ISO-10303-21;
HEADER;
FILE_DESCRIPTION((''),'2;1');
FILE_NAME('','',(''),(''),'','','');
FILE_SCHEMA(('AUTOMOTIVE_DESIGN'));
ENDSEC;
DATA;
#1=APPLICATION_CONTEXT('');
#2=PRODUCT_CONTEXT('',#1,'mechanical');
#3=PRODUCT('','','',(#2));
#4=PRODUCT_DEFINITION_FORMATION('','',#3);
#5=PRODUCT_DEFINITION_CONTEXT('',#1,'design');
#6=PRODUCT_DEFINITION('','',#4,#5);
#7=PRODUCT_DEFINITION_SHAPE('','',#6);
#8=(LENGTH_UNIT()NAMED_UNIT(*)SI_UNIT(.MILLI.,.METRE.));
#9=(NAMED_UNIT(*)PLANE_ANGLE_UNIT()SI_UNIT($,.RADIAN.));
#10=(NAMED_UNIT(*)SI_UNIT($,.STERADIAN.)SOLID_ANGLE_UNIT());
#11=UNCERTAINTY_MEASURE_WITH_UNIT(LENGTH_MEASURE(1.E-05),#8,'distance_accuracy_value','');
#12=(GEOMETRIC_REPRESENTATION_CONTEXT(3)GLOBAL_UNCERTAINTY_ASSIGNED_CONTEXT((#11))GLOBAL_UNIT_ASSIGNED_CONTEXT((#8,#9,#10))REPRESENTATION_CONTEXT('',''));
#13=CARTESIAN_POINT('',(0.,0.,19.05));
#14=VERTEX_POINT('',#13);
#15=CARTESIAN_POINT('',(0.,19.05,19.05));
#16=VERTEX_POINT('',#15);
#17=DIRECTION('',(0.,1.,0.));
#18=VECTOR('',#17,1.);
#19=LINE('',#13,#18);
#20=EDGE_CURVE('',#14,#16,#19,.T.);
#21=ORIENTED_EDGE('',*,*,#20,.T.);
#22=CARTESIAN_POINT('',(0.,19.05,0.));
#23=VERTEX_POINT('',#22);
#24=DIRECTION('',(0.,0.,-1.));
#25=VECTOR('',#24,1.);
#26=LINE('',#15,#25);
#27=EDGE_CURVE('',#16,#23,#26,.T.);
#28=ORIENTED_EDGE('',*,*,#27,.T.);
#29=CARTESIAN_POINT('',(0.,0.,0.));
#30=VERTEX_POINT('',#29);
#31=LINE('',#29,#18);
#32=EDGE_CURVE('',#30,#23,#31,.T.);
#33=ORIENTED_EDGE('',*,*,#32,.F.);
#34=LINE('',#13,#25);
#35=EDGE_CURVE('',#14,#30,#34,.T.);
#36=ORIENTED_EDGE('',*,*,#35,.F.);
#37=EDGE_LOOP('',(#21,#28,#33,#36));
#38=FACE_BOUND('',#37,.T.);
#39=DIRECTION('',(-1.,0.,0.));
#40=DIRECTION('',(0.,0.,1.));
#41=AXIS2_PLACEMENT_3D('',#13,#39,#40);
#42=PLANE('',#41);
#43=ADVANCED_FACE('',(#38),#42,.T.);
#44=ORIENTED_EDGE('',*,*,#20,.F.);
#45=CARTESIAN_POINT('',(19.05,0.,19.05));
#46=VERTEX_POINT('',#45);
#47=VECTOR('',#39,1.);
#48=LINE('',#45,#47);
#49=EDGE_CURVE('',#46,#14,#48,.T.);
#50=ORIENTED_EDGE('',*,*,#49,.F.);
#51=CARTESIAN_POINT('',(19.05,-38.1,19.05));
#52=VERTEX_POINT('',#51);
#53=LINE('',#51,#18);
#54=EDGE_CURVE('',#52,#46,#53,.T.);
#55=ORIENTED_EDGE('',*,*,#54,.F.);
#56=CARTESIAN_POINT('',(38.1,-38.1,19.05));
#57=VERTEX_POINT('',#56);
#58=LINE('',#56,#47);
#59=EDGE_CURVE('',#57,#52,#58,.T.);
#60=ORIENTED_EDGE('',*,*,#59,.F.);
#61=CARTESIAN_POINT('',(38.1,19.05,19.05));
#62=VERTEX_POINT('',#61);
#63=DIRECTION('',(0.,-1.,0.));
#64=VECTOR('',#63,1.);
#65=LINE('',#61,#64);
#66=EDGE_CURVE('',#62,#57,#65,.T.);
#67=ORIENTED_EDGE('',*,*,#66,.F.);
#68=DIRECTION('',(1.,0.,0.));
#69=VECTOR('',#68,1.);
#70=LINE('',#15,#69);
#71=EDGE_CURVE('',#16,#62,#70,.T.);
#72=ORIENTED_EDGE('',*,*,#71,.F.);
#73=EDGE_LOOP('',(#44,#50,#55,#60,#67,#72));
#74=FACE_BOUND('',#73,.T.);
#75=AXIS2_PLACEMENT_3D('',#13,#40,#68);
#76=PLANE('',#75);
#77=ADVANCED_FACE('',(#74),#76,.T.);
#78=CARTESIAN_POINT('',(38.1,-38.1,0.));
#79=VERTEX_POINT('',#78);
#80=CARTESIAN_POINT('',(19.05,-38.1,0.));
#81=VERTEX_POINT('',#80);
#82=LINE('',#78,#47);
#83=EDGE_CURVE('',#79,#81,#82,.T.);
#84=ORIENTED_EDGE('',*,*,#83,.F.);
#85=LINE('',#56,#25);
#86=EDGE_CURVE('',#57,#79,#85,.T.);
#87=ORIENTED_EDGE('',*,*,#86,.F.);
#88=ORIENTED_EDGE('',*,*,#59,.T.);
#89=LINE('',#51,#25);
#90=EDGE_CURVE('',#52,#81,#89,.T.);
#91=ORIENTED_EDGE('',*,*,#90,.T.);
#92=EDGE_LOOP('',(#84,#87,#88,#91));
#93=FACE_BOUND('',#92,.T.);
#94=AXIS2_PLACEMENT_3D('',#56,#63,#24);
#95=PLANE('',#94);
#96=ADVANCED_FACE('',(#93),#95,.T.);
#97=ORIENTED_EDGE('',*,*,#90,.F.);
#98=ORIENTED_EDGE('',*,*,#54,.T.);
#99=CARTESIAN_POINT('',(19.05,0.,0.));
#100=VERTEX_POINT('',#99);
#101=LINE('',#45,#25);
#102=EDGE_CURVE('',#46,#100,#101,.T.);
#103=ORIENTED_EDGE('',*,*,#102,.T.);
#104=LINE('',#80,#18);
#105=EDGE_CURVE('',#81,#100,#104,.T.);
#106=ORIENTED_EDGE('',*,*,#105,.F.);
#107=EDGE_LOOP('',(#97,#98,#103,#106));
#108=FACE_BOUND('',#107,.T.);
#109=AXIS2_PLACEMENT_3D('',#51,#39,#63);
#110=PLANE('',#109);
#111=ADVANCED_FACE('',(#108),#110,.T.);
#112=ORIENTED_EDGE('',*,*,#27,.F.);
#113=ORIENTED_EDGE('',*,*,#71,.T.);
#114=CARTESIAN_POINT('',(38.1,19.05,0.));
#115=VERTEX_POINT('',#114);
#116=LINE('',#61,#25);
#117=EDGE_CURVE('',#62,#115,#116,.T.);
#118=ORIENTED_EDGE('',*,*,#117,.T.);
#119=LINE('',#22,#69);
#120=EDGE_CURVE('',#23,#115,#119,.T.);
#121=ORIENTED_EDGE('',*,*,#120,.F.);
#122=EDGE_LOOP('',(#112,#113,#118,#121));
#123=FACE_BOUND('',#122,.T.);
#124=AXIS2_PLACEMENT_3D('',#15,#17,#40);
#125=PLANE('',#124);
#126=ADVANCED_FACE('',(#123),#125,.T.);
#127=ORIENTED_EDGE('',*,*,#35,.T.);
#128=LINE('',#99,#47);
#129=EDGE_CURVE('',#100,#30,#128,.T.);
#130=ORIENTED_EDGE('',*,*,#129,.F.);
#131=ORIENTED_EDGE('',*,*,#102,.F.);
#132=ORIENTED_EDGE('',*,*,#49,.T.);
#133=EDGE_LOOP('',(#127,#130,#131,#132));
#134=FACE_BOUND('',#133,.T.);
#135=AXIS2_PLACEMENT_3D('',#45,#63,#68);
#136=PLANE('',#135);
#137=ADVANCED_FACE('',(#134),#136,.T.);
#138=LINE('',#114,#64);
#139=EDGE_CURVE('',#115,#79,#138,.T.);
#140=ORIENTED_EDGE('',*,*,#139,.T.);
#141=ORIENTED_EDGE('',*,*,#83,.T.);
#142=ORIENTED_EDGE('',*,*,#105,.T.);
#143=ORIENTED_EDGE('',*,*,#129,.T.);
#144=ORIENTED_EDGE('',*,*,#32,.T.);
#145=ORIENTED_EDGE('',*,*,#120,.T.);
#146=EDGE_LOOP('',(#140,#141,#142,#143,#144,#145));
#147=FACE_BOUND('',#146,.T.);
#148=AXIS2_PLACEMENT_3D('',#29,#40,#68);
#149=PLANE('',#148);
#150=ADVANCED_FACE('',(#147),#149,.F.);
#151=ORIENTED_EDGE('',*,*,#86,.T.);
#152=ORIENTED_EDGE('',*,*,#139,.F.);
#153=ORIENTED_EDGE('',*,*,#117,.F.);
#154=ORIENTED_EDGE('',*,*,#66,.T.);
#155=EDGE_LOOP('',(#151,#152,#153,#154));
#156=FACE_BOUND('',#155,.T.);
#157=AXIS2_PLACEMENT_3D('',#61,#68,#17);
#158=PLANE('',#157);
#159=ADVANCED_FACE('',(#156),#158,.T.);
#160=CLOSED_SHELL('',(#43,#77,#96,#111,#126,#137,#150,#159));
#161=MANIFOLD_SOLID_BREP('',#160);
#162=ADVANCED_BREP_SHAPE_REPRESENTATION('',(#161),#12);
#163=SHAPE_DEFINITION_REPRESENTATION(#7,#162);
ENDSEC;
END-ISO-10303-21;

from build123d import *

# Parameters (mm, degrees)
BOSS_EXTRUDE1_DEPTH = 19.05


with BuildPart() as part:
    # Sketch1 → Boss-Extrude1 (new body)
    with BuildSketch(Plane.XY):
        Polygon((0, 0), (0, 19.05), (38.1, 19.05), (38.1, -38.1), (19.05, -38.1), (19.05, 0), align=None)
    extrude(amount=BOSS_EXTRUDE1_DEPTH)


solid = part.part
